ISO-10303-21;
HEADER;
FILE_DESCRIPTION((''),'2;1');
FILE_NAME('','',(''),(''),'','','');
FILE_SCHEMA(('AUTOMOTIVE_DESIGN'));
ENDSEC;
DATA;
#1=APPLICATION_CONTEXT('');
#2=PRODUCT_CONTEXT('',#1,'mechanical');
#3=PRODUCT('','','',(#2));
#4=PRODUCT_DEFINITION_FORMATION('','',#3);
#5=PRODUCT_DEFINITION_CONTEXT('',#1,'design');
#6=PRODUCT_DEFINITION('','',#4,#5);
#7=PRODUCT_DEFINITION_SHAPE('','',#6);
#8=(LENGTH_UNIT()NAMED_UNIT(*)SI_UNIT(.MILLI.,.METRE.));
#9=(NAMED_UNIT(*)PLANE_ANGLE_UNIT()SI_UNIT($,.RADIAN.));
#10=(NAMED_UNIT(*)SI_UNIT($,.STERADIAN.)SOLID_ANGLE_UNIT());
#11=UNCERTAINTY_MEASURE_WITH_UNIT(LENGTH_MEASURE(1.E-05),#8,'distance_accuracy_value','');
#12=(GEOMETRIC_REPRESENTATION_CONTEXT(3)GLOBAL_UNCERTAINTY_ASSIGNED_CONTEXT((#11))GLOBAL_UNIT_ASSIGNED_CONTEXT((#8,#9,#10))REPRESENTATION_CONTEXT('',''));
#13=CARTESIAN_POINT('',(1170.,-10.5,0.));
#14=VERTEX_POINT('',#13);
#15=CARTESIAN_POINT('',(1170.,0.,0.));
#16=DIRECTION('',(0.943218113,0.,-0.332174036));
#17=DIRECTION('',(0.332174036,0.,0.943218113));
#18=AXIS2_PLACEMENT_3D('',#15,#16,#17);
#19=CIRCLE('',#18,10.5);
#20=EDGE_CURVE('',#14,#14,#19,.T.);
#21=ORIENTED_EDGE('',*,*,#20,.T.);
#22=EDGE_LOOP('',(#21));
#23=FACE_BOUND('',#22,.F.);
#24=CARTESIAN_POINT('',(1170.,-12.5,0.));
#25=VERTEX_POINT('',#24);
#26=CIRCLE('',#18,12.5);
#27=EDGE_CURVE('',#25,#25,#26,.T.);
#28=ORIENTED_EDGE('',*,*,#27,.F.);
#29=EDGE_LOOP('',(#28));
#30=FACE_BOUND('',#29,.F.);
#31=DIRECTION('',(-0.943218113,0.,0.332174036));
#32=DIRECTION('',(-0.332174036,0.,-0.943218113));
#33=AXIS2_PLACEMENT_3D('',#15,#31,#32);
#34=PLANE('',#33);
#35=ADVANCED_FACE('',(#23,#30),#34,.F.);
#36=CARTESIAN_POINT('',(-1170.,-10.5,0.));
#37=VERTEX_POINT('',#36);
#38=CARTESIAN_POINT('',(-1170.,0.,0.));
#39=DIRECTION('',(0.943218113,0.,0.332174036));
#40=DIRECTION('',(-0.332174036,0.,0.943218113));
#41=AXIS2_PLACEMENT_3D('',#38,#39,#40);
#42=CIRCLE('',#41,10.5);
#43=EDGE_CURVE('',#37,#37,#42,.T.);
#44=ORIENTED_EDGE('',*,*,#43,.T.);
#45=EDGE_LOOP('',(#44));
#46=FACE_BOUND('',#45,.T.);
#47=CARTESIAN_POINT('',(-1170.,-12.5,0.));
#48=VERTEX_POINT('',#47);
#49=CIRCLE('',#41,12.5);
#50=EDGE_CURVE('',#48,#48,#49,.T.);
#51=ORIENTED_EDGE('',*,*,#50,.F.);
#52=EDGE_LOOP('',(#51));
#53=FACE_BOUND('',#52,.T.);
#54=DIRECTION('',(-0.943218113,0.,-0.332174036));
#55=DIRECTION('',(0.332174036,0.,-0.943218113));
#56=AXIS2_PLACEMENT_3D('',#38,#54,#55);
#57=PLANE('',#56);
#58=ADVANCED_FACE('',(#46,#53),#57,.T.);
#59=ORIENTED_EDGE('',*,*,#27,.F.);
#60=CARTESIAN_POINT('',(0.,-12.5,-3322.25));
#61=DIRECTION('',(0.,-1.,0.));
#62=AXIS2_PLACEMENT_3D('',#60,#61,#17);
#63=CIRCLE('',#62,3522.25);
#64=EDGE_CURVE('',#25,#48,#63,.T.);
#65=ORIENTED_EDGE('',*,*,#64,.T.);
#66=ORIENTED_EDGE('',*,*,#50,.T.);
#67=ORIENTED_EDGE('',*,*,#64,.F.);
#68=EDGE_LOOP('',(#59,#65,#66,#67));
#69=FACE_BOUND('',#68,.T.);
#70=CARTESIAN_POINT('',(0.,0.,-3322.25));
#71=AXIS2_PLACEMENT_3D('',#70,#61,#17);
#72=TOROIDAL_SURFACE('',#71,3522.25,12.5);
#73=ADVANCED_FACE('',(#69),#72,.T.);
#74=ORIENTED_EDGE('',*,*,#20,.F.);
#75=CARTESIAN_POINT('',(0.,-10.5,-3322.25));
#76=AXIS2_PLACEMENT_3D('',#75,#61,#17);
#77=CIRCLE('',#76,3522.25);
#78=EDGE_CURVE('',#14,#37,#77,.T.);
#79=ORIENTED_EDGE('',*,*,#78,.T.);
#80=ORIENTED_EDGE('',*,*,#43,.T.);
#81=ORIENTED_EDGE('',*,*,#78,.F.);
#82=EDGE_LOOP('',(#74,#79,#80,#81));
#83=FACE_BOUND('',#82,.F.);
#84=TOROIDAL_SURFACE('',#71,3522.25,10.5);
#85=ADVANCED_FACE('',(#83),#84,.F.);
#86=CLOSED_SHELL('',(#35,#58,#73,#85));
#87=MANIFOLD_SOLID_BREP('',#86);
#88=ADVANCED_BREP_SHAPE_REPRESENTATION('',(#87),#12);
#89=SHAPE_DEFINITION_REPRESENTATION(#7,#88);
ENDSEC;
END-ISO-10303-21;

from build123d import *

# Parameters (mm, degrees)
F2_R   = 12.5
F2_R_2 = 10.5


with BuildPart() as f3:
    # F3: sweep along a path in F0
    with BuildLine(Plane.XZ) as f3_path:
        ThreePointArc((1170, 0), (0, 200), (-1170, 0))
    # F2 (on face) → F3 (sweep)
    with BuildSketch(Plane(origin=(-1040.902679, 0, -366.575705), x_dir=(0, -1, 0), z_dir=(-0.943218, 0, -0.332174))):
        with Locations((0, 388.643623)):
            Circle(F2_R)
        with Locations((0, 388.643623)):
            Circle(F2_R_2, mode=Mode.SUBTRACT)
    sweep(path=f3_path.line)


solid = f3.part
